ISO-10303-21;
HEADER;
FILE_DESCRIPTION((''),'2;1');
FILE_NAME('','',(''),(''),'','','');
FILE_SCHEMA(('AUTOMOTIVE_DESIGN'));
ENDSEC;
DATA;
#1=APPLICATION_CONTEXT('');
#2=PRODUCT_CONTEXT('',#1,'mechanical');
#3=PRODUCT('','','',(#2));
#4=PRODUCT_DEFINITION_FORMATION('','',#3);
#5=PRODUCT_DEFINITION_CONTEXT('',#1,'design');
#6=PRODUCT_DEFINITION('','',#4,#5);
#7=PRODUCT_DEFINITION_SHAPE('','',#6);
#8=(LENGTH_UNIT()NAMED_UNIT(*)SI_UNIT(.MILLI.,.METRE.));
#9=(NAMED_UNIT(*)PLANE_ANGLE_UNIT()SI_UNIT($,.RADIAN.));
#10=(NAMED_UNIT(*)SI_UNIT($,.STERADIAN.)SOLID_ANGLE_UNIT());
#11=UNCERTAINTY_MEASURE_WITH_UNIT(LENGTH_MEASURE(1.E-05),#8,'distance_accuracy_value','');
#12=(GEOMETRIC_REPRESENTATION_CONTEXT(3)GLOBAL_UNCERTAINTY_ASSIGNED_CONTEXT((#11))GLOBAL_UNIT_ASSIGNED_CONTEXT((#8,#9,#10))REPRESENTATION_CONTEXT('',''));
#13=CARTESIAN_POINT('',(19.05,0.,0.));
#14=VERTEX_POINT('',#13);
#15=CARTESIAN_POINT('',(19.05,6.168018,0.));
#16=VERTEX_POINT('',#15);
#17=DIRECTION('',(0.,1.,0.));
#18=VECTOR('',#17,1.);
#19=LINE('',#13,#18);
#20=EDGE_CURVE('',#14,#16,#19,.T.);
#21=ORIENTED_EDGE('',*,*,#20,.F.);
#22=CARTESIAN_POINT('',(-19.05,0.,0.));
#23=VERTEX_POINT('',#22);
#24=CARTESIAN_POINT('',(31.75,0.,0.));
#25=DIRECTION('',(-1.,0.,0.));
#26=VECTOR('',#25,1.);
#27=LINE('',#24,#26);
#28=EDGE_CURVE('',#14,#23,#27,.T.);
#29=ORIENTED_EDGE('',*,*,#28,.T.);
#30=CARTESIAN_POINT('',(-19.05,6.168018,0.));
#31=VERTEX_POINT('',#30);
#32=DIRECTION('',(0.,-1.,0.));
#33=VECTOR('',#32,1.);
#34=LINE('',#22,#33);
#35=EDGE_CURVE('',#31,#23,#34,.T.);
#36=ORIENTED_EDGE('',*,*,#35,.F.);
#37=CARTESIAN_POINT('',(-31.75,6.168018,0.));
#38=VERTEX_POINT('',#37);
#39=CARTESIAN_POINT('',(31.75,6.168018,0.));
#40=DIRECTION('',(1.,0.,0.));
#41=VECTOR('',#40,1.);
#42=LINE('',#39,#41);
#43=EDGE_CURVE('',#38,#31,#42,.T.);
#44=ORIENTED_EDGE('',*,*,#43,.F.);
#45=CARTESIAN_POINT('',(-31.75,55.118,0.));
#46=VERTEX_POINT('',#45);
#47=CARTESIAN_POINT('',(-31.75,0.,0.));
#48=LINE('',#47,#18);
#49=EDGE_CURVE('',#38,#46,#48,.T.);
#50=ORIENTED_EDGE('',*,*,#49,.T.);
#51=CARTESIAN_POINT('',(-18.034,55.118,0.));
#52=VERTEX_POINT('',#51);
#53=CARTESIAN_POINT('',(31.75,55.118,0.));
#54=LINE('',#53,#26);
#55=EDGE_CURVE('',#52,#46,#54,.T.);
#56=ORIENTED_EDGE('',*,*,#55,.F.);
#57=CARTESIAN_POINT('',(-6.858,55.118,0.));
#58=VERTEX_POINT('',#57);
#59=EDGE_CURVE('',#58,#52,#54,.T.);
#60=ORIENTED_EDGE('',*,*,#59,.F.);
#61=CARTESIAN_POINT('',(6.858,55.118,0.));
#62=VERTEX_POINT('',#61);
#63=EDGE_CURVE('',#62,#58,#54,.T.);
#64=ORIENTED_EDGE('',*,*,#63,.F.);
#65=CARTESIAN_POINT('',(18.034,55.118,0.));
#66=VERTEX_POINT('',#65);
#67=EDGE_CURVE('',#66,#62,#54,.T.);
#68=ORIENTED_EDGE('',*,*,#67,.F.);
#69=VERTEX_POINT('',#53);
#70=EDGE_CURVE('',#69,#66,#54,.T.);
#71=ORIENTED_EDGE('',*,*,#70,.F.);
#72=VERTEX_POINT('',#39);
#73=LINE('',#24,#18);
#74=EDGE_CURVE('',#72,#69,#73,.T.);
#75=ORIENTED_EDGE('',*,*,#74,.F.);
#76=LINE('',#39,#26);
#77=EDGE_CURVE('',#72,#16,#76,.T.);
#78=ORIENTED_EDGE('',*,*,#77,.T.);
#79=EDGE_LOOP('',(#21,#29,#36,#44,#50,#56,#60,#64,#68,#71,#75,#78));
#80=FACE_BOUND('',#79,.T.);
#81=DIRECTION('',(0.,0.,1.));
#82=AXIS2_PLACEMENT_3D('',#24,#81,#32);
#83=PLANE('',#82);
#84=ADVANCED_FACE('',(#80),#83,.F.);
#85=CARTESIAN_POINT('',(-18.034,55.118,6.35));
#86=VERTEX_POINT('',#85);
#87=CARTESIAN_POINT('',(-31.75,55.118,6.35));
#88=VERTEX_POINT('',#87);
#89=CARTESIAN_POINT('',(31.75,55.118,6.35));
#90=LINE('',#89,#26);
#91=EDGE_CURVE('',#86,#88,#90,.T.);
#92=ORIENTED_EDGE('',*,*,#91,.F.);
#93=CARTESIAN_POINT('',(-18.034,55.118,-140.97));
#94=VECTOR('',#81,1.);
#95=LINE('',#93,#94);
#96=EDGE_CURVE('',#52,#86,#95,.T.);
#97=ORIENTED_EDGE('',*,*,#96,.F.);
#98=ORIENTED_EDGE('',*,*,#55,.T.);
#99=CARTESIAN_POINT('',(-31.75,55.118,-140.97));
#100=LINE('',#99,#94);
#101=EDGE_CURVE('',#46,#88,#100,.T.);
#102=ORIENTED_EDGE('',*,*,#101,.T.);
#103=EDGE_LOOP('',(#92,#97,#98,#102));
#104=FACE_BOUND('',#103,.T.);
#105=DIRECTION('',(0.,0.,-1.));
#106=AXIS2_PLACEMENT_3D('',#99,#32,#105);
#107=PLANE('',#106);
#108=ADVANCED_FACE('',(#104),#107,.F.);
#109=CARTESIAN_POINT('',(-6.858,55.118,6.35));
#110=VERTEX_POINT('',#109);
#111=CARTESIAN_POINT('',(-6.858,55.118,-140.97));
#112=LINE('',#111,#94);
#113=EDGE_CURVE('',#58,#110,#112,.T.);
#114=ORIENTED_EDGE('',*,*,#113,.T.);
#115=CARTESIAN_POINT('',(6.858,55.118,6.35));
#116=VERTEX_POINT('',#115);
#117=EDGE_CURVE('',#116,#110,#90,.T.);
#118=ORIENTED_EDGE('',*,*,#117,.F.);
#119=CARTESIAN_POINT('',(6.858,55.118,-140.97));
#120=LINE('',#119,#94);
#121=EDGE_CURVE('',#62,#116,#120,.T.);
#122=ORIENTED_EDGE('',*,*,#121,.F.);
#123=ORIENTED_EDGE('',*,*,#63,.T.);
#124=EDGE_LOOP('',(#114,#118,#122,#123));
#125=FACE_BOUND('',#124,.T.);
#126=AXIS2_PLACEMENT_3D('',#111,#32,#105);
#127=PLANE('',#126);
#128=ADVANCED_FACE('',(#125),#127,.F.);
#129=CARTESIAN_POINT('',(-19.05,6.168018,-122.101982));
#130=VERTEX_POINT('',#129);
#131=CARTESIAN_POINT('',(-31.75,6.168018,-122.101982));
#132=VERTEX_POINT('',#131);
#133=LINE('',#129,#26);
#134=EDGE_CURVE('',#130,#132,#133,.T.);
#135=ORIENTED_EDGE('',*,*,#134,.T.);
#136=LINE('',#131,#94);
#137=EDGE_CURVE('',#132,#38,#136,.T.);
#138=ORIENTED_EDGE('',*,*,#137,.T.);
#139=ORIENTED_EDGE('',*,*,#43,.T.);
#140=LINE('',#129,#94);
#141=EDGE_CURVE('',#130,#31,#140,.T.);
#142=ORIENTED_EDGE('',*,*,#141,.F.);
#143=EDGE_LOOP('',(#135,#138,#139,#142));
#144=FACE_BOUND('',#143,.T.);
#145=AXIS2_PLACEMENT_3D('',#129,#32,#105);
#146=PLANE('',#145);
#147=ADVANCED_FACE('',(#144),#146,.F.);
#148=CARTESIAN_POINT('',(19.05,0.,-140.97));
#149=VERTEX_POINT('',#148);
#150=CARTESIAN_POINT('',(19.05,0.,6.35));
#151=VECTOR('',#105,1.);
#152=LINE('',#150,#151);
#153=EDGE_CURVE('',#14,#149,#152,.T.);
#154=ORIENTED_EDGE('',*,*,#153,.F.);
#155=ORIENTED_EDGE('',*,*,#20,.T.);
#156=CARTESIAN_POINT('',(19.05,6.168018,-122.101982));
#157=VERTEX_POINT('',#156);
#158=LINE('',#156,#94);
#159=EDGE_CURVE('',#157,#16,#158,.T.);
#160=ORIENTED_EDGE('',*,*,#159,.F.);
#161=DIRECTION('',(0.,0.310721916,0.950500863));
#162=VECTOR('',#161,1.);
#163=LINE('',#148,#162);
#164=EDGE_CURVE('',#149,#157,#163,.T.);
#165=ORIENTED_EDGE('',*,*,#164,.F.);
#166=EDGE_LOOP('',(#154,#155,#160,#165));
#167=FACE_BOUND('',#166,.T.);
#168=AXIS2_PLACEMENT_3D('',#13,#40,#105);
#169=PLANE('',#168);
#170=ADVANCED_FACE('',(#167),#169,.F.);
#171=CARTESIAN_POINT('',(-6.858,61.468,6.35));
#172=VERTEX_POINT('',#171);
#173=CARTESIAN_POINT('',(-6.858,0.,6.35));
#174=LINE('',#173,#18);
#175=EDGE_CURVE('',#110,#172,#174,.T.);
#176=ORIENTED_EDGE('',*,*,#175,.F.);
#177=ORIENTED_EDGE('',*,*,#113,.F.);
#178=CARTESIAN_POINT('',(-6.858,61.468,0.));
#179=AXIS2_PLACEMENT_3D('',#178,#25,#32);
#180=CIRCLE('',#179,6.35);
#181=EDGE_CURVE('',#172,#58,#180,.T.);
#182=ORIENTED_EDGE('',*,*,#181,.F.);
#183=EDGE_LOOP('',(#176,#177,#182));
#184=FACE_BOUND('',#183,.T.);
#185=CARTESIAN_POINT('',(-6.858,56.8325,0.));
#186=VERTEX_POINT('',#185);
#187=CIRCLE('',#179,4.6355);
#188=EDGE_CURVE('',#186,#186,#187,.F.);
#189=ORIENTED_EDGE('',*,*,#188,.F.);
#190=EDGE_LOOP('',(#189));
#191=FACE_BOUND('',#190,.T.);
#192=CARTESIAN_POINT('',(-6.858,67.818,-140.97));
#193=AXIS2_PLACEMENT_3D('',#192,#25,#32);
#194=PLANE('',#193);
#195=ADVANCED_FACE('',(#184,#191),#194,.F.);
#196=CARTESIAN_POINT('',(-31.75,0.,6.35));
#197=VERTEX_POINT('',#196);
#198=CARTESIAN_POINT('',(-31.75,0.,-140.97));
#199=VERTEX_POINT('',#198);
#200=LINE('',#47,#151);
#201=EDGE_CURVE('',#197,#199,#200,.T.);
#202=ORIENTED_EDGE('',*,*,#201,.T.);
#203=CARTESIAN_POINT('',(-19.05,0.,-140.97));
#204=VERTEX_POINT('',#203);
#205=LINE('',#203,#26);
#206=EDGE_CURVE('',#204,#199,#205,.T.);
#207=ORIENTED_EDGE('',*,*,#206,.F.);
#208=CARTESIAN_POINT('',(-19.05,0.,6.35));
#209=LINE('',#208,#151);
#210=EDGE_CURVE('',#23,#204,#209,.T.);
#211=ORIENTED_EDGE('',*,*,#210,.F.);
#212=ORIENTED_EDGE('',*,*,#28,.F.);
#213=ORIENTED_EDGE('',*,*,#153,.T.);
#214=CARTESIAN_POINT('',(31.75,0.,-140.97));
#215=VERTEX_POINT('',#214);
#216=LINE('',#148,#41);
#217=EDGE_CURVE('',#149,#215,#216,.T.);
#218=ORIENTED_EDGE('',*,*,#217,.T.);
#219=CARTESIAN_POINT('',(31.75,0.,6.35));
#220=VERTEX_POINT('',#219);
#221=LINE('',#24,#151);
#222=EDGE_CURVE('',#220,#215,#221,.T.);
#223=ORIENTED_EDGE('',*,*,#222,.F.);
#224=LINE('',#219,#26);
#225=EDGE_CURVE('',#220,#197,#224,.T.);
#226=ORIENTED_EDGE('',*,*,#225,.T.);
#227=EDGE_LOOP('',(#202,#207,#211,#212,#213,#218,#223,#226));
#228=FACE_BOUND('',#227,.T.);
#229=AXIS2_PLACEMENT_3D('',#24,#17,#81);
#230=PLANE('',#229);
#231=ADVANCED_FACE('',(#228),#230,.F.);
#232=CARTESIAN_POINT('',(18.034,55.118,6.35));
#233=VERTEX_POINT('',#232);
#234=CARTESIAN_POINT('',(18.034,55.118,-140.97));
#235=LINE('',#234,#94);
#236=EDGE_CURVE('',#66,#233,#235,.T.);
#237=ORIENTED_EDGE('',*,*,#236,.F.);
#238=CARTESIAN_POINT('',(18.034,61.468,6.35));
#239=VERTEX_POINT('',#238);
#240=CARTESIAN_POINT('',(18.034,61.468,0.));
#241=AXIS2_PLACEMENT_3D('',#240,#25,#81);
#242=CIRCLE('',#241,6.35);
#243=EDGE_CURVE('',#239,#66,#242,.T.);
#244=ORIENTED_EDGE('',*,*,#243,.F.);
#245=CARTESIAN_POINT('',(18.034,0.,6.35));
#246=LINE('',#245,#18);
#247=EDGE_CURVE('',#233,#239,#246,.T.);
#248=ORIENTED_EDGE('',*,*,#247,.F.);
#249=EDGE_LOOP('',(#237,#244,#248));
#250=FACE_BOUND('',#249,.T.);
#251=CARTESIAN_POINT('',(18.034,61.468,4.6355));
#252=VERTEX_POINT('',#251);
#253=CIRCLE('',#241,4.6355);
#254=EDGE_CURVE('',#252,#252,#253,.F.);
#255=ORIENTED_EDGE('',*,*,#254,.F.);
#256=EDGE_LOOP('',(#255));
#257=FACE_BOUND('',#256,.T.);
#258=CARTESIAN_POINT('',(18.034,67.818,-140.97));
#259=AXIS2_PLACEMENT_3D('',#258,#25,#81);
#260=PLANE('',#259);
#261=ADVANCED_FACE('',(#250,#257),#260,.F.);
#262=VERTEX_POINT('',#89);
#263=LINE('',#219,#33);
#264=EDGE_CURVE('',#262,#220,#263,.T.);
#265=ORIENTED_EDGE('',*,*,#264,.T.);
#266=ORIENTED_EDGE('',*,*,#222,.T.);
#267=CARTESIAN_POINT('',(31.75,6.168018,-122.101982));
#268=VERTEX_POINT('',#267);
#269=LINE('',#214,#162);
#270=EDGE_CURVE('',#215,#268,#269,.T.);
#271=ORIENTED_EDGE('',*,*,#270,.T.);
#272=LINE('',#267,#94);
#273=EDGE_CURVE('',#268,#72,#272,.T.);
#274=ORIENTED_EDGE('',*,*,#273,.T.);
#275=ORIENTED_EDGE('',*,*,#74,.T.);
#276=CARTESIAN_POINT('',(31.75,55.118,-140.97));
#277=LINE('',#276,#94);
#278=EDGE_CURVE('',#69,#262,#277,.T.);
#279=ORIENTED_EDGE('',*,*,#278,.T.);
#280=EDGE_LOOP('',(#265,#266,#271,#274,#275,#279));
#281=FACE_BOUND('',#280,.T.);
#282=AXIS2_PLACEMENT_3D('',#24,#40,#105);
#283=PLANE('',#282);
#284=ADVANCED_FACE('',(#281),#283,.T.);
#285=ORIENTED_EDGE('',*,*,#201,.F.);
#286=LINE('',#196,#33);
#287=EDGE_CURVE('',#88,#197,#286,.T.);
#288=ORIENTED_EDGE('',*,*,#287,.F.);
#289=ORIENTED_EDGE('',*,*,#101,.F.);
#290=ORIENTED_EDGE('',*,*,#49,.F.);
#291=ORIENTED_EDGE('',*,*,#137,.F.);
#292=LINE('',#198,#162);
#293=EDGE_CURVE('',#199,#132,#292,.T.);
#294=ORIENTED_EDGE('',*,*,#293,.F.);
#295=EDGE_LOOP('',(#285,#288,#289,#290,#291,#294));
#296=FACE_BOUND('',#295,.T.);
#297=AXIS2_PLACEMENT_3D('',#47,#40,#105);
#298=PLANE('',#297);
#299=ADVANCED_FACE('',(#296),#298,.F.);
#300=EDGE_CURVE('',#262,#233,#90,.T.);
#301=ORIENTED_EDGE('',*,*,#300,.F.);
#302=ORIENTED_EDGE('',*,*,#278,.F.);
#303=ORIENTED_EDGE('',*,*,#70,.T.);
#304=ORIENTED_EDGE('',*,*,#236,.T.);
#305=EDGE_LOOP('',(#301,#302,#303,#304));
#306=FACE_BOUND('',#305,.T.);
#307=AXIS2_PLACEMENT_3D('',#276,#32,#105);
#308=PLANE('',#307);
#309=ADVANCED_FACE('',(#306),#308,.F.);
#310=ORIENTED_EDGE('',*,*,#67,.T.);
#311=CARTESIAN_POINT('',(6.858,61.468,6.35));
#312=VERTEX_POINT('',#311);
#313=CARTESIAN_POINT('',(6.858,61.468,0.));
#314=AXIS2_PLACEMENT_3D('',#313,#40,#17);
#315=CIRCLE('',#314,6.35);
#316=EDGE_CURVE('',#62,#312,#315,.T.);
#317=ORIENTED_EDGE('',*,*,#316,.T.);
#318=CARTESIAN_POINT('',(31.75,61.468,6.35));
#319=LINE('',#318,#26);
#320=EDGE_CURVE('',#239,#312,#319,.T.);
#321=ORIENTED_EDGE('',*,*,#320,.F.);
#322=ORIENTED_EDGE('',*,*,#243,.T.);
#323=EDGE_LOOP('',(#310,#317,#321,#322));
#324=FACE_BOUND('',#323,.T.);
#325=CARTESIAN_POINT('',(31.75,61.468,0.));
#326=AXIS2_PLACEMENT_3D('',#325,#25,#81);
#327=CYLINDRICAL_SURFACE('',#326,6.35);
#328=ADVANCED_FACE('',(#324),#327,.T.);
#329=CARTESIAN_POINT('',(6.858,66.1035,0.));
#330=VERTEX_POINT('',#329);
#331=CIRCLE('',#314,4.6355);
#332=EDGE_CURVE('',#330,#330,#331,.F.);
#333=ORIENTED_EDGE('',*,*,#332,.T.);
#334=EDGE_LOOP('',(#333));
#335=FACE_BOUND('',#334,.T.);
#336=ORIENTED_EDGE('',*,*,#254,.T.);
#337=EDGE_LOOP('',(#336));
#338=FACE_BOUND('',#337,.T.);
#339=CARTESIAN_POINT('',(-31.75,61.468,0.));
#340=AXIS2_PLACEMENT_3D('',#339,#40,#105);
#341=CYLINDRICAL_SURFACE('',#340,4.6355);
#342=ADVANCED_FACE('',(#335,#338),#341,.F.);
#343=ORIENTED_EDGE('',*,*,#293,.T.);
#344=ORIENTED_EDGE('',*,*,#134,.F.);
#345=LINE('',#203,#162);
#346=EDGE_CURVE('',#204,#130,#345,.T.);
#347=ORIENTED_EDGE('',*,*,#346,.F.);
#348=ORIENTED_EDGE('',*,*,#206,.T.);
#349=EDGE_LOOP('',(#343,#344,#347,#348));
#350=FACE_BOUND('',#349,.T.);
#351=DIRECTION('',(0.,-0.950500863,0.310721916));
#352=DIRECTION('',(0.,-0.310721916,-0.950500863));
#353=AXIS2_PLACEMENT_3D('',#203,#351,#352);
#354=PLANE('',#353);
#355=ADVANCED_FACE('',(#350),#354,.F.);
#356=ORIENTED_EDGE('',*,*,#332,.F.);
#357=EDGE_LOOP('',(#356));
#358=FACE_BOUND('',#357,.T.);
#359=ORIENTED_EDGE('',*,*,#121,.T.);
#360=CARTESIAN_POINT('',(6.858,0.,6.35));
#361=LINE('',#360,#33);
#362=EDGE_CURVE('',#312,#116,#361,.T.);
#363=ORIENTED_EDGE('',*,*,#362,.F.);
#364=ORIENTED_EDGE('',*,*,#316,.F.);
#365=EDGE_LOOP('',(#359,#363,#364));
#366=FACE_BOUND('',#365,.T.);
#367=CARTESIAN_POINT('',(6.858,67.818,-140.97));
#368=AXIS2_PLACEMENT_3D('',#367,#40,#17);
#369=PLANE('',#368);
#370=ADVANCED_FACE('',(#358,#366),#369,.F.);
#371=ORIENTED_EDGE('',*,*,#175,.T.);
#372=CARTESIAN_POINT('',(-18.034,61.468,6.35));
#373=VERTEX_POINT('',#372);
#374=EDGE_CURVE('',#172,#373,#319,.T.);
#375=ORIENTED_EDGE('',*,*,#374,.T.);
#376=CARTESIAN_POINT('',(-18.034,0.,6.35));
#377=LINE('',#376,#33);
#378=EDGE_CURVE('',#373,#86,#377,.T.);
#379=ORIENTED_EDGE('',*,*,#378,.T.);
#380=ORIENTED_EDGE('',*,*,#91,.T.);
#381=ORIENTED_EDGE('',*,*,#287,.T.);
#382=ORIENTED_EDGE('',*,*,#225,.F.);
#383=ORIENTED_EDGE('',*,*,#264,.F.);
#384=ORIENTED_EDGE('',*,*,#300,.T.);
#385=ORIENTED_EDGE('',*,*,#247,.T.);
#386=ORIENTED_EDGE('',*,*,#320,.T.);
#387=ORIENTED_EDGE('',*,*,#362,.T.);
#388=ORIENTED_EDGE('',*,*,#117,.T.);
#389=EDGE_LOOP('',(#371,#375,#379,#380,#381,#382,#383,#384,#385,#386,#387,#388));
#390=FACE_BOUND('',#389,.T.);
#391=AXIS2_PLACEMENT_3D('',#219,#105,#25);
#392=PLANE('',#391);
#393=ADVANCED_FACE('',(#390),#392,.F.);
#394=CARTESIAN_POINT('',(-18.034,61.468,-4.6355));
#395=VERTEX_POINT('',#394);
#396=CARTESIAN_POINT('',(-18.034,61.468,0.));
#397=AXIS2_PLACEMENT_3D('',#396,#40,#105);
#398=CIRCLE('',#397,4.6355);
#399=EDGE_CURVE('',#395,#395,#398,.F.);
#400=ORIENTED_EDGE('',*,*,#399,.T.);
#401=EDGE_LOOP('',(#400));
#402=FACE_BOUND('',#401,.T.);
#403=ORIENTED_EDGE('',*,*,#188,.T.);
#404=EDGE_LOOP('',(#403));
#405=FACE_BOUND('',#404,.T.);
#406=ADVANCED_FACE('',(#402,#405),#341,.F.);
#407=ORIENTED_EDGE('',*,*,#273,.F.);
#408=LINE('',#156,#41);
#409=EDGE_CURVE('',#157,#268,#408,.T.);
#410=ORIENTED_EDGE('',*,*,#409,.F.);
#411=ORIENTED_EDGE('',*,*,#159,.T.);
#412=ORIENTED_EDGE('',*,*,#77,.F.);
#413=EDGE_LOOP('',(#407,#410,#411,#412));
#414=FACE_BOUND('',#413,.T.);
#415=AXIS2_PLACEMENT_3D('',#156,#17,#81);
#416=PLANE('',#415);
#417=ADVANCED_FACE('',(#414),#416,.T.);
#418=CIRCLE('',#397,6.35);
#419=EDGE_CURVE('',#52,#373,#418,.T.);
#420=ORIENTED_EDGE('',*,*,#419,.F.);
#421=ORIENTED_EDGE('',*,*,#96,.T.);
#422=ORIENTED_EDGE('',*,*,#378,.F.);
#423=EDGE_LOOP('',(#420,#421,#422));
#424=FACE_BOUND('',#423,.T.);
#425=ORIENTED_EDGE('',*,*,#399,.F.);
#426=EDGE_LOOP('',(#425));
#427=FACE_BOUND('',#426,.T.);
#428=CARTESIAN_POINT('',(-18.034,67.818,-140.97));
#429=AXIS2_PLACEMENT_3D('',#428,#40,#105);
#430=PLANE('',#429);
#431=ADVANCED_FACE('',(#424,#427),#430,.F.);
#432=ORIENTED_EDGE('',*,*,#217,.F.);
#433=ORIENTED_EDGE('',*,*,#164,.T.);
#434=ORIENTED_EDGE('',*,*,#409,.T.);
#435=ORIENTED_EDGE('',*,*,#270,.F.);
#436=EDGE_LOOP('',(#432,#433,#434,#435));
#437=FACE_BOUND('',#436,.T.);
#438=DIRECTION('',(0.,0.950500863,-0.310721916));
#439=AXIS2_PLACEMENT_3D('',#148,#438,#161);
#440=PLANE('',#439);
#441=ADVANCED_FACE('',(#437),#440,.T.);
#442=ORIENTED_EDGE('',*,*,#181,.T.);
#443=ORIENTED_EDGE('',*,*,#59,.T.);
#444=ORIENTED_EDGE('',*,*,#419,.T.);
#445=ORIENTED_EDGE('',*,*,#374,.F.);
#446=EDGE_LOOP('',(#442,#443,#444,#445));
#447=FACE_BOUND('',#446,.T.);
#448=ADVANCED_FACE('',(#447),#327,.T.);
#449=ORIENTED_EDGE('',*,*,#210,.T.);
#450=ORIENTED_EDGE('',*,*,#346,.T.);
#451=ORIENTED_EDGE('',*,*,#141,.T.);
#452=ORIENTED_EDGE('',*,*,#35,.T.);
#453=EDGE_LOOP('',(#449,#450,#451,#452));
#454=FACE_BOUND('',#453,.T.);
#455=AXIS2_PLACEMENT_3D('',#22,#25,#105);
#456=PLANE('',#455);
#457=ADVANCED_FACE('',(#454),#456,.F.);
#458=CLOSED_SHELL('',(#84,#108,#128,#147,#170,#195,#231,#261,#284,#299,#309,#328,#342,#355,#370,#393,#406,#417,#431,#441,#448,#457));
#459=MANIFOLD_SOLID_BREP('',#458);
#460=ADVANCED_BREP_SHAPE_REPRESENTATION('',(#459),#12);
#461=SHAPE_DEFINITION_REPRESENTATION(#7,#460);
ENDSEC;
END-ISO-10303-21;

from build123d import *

# Parameters (mm, degrees)
SKETCH1_W               = 6.35
SKETCH1_H               = 61.468
BOSS_EXTRUDE1_DEPTH     = 31.75
BOSS_EXTRUDE2_DEPTH     = 12.7
SKETCH7_R               = 6.35
SKETCH8_R               = 4.6355
CUT_EXTRUDE1_DEPTH      = 169.831490025
CUT_EXTRUDE2_DEPTH      = 166.258966546
CUT_EXTRUDE2_DEPTH_BACK = 166.258966546
SKETCH12_W              = 13.716
SKETCH12_H              = 12.7


with BuildPart() as part:
    # Sketch1 → Boss-Extrude1 (new, symmetric)
    with BuildSketch(Plane(origin=(0, 0, 0), x_dir=(0, 0, -1), z_dir=(1, 0, 0))):
        with Locations((-3.175, 30.734)):
            Rectangle(SKETCH1_W, SKETCH1_H)
    extrude(amount=BOSS_EXTRUDE1_DEPTH, both=True)

    # Sketch4 → Boss-Extrude2 (add)
    with BuildSketch(Plane(origin=(31.75, 0, 0), x_dir=(0, 0, -1), z_dir=(1, 0, 0))):
        Polygon((-6.35, 0), (140.97, 0), (122.101981581, 6.168018419), (-6.35, 6.168018419), align=None)
    boss_extrude2 = extrude(amount=-BOSS_EXTRUDE2_DEPTH)

    # Mirror1: Boss-Extrude2 across plane
    add(boss_extrude2.mirror(Plane(origin=(0, 0, 0), x_dir=(0, 0, 1), z_dir=(1, 0, 0))))

    # Sweep1: sweep along a curve in space
    with BuildLine() as sweep1_path:
        Line((31.75, 61.468, 0), (-31.75, 61.468, 0))
    # Sketch7 → Sweep1 (sweep)
    with BuildSketch(Plane(origin=(31.75, 0, 0), x_dir=(0, 0, -1), z_dir=(1, 0, 0))):
        with Locations((0, 61.468)):
            Circle(SKETCH7_R)
    sweep(path=sweep1_path.line)

    # Sketch8 → Cut-Extrude1 (cut, through all)
    with BuildSketch(Plane(origin=(31.75, 0, 0), x_dir=(0, 0, -1), z_dir=(1, 0, 0))):
        with Locations((0, 61.468)):
            Circle(SKETCH8_R)
    extrude(amount=-CUT_EXTRUDE1_DEPTH, mode=Mode.SUBTRACT)

    # Sketch12 → Cut-Extrude2 (cut, two sides: drawn at the far end of the back side and taken through both)
    with BuildSketch(Plane.XY.offset(6.35).offset(-CUT_EXTRUDE2_DEPTH_BACK)):
        with Locations((-24.892, 61.468)):
            Rectangle(SKETCH12_W, SKETCH12_H)
        with Locations((24.892, 61.468)):
            Rectangle(SKETCH12_W, SKETCH12_H)
        with Locations((0, 61.468)):
            Rectangle(SKETCH12_W, SKETCH12_H)
    extrude(amount=CUT_EXTRUDE2_DEPTH + CUT_EXTRUDE2_DEPTH_BACK, mode=Mode.SUBTRACT)


solid = part.part
